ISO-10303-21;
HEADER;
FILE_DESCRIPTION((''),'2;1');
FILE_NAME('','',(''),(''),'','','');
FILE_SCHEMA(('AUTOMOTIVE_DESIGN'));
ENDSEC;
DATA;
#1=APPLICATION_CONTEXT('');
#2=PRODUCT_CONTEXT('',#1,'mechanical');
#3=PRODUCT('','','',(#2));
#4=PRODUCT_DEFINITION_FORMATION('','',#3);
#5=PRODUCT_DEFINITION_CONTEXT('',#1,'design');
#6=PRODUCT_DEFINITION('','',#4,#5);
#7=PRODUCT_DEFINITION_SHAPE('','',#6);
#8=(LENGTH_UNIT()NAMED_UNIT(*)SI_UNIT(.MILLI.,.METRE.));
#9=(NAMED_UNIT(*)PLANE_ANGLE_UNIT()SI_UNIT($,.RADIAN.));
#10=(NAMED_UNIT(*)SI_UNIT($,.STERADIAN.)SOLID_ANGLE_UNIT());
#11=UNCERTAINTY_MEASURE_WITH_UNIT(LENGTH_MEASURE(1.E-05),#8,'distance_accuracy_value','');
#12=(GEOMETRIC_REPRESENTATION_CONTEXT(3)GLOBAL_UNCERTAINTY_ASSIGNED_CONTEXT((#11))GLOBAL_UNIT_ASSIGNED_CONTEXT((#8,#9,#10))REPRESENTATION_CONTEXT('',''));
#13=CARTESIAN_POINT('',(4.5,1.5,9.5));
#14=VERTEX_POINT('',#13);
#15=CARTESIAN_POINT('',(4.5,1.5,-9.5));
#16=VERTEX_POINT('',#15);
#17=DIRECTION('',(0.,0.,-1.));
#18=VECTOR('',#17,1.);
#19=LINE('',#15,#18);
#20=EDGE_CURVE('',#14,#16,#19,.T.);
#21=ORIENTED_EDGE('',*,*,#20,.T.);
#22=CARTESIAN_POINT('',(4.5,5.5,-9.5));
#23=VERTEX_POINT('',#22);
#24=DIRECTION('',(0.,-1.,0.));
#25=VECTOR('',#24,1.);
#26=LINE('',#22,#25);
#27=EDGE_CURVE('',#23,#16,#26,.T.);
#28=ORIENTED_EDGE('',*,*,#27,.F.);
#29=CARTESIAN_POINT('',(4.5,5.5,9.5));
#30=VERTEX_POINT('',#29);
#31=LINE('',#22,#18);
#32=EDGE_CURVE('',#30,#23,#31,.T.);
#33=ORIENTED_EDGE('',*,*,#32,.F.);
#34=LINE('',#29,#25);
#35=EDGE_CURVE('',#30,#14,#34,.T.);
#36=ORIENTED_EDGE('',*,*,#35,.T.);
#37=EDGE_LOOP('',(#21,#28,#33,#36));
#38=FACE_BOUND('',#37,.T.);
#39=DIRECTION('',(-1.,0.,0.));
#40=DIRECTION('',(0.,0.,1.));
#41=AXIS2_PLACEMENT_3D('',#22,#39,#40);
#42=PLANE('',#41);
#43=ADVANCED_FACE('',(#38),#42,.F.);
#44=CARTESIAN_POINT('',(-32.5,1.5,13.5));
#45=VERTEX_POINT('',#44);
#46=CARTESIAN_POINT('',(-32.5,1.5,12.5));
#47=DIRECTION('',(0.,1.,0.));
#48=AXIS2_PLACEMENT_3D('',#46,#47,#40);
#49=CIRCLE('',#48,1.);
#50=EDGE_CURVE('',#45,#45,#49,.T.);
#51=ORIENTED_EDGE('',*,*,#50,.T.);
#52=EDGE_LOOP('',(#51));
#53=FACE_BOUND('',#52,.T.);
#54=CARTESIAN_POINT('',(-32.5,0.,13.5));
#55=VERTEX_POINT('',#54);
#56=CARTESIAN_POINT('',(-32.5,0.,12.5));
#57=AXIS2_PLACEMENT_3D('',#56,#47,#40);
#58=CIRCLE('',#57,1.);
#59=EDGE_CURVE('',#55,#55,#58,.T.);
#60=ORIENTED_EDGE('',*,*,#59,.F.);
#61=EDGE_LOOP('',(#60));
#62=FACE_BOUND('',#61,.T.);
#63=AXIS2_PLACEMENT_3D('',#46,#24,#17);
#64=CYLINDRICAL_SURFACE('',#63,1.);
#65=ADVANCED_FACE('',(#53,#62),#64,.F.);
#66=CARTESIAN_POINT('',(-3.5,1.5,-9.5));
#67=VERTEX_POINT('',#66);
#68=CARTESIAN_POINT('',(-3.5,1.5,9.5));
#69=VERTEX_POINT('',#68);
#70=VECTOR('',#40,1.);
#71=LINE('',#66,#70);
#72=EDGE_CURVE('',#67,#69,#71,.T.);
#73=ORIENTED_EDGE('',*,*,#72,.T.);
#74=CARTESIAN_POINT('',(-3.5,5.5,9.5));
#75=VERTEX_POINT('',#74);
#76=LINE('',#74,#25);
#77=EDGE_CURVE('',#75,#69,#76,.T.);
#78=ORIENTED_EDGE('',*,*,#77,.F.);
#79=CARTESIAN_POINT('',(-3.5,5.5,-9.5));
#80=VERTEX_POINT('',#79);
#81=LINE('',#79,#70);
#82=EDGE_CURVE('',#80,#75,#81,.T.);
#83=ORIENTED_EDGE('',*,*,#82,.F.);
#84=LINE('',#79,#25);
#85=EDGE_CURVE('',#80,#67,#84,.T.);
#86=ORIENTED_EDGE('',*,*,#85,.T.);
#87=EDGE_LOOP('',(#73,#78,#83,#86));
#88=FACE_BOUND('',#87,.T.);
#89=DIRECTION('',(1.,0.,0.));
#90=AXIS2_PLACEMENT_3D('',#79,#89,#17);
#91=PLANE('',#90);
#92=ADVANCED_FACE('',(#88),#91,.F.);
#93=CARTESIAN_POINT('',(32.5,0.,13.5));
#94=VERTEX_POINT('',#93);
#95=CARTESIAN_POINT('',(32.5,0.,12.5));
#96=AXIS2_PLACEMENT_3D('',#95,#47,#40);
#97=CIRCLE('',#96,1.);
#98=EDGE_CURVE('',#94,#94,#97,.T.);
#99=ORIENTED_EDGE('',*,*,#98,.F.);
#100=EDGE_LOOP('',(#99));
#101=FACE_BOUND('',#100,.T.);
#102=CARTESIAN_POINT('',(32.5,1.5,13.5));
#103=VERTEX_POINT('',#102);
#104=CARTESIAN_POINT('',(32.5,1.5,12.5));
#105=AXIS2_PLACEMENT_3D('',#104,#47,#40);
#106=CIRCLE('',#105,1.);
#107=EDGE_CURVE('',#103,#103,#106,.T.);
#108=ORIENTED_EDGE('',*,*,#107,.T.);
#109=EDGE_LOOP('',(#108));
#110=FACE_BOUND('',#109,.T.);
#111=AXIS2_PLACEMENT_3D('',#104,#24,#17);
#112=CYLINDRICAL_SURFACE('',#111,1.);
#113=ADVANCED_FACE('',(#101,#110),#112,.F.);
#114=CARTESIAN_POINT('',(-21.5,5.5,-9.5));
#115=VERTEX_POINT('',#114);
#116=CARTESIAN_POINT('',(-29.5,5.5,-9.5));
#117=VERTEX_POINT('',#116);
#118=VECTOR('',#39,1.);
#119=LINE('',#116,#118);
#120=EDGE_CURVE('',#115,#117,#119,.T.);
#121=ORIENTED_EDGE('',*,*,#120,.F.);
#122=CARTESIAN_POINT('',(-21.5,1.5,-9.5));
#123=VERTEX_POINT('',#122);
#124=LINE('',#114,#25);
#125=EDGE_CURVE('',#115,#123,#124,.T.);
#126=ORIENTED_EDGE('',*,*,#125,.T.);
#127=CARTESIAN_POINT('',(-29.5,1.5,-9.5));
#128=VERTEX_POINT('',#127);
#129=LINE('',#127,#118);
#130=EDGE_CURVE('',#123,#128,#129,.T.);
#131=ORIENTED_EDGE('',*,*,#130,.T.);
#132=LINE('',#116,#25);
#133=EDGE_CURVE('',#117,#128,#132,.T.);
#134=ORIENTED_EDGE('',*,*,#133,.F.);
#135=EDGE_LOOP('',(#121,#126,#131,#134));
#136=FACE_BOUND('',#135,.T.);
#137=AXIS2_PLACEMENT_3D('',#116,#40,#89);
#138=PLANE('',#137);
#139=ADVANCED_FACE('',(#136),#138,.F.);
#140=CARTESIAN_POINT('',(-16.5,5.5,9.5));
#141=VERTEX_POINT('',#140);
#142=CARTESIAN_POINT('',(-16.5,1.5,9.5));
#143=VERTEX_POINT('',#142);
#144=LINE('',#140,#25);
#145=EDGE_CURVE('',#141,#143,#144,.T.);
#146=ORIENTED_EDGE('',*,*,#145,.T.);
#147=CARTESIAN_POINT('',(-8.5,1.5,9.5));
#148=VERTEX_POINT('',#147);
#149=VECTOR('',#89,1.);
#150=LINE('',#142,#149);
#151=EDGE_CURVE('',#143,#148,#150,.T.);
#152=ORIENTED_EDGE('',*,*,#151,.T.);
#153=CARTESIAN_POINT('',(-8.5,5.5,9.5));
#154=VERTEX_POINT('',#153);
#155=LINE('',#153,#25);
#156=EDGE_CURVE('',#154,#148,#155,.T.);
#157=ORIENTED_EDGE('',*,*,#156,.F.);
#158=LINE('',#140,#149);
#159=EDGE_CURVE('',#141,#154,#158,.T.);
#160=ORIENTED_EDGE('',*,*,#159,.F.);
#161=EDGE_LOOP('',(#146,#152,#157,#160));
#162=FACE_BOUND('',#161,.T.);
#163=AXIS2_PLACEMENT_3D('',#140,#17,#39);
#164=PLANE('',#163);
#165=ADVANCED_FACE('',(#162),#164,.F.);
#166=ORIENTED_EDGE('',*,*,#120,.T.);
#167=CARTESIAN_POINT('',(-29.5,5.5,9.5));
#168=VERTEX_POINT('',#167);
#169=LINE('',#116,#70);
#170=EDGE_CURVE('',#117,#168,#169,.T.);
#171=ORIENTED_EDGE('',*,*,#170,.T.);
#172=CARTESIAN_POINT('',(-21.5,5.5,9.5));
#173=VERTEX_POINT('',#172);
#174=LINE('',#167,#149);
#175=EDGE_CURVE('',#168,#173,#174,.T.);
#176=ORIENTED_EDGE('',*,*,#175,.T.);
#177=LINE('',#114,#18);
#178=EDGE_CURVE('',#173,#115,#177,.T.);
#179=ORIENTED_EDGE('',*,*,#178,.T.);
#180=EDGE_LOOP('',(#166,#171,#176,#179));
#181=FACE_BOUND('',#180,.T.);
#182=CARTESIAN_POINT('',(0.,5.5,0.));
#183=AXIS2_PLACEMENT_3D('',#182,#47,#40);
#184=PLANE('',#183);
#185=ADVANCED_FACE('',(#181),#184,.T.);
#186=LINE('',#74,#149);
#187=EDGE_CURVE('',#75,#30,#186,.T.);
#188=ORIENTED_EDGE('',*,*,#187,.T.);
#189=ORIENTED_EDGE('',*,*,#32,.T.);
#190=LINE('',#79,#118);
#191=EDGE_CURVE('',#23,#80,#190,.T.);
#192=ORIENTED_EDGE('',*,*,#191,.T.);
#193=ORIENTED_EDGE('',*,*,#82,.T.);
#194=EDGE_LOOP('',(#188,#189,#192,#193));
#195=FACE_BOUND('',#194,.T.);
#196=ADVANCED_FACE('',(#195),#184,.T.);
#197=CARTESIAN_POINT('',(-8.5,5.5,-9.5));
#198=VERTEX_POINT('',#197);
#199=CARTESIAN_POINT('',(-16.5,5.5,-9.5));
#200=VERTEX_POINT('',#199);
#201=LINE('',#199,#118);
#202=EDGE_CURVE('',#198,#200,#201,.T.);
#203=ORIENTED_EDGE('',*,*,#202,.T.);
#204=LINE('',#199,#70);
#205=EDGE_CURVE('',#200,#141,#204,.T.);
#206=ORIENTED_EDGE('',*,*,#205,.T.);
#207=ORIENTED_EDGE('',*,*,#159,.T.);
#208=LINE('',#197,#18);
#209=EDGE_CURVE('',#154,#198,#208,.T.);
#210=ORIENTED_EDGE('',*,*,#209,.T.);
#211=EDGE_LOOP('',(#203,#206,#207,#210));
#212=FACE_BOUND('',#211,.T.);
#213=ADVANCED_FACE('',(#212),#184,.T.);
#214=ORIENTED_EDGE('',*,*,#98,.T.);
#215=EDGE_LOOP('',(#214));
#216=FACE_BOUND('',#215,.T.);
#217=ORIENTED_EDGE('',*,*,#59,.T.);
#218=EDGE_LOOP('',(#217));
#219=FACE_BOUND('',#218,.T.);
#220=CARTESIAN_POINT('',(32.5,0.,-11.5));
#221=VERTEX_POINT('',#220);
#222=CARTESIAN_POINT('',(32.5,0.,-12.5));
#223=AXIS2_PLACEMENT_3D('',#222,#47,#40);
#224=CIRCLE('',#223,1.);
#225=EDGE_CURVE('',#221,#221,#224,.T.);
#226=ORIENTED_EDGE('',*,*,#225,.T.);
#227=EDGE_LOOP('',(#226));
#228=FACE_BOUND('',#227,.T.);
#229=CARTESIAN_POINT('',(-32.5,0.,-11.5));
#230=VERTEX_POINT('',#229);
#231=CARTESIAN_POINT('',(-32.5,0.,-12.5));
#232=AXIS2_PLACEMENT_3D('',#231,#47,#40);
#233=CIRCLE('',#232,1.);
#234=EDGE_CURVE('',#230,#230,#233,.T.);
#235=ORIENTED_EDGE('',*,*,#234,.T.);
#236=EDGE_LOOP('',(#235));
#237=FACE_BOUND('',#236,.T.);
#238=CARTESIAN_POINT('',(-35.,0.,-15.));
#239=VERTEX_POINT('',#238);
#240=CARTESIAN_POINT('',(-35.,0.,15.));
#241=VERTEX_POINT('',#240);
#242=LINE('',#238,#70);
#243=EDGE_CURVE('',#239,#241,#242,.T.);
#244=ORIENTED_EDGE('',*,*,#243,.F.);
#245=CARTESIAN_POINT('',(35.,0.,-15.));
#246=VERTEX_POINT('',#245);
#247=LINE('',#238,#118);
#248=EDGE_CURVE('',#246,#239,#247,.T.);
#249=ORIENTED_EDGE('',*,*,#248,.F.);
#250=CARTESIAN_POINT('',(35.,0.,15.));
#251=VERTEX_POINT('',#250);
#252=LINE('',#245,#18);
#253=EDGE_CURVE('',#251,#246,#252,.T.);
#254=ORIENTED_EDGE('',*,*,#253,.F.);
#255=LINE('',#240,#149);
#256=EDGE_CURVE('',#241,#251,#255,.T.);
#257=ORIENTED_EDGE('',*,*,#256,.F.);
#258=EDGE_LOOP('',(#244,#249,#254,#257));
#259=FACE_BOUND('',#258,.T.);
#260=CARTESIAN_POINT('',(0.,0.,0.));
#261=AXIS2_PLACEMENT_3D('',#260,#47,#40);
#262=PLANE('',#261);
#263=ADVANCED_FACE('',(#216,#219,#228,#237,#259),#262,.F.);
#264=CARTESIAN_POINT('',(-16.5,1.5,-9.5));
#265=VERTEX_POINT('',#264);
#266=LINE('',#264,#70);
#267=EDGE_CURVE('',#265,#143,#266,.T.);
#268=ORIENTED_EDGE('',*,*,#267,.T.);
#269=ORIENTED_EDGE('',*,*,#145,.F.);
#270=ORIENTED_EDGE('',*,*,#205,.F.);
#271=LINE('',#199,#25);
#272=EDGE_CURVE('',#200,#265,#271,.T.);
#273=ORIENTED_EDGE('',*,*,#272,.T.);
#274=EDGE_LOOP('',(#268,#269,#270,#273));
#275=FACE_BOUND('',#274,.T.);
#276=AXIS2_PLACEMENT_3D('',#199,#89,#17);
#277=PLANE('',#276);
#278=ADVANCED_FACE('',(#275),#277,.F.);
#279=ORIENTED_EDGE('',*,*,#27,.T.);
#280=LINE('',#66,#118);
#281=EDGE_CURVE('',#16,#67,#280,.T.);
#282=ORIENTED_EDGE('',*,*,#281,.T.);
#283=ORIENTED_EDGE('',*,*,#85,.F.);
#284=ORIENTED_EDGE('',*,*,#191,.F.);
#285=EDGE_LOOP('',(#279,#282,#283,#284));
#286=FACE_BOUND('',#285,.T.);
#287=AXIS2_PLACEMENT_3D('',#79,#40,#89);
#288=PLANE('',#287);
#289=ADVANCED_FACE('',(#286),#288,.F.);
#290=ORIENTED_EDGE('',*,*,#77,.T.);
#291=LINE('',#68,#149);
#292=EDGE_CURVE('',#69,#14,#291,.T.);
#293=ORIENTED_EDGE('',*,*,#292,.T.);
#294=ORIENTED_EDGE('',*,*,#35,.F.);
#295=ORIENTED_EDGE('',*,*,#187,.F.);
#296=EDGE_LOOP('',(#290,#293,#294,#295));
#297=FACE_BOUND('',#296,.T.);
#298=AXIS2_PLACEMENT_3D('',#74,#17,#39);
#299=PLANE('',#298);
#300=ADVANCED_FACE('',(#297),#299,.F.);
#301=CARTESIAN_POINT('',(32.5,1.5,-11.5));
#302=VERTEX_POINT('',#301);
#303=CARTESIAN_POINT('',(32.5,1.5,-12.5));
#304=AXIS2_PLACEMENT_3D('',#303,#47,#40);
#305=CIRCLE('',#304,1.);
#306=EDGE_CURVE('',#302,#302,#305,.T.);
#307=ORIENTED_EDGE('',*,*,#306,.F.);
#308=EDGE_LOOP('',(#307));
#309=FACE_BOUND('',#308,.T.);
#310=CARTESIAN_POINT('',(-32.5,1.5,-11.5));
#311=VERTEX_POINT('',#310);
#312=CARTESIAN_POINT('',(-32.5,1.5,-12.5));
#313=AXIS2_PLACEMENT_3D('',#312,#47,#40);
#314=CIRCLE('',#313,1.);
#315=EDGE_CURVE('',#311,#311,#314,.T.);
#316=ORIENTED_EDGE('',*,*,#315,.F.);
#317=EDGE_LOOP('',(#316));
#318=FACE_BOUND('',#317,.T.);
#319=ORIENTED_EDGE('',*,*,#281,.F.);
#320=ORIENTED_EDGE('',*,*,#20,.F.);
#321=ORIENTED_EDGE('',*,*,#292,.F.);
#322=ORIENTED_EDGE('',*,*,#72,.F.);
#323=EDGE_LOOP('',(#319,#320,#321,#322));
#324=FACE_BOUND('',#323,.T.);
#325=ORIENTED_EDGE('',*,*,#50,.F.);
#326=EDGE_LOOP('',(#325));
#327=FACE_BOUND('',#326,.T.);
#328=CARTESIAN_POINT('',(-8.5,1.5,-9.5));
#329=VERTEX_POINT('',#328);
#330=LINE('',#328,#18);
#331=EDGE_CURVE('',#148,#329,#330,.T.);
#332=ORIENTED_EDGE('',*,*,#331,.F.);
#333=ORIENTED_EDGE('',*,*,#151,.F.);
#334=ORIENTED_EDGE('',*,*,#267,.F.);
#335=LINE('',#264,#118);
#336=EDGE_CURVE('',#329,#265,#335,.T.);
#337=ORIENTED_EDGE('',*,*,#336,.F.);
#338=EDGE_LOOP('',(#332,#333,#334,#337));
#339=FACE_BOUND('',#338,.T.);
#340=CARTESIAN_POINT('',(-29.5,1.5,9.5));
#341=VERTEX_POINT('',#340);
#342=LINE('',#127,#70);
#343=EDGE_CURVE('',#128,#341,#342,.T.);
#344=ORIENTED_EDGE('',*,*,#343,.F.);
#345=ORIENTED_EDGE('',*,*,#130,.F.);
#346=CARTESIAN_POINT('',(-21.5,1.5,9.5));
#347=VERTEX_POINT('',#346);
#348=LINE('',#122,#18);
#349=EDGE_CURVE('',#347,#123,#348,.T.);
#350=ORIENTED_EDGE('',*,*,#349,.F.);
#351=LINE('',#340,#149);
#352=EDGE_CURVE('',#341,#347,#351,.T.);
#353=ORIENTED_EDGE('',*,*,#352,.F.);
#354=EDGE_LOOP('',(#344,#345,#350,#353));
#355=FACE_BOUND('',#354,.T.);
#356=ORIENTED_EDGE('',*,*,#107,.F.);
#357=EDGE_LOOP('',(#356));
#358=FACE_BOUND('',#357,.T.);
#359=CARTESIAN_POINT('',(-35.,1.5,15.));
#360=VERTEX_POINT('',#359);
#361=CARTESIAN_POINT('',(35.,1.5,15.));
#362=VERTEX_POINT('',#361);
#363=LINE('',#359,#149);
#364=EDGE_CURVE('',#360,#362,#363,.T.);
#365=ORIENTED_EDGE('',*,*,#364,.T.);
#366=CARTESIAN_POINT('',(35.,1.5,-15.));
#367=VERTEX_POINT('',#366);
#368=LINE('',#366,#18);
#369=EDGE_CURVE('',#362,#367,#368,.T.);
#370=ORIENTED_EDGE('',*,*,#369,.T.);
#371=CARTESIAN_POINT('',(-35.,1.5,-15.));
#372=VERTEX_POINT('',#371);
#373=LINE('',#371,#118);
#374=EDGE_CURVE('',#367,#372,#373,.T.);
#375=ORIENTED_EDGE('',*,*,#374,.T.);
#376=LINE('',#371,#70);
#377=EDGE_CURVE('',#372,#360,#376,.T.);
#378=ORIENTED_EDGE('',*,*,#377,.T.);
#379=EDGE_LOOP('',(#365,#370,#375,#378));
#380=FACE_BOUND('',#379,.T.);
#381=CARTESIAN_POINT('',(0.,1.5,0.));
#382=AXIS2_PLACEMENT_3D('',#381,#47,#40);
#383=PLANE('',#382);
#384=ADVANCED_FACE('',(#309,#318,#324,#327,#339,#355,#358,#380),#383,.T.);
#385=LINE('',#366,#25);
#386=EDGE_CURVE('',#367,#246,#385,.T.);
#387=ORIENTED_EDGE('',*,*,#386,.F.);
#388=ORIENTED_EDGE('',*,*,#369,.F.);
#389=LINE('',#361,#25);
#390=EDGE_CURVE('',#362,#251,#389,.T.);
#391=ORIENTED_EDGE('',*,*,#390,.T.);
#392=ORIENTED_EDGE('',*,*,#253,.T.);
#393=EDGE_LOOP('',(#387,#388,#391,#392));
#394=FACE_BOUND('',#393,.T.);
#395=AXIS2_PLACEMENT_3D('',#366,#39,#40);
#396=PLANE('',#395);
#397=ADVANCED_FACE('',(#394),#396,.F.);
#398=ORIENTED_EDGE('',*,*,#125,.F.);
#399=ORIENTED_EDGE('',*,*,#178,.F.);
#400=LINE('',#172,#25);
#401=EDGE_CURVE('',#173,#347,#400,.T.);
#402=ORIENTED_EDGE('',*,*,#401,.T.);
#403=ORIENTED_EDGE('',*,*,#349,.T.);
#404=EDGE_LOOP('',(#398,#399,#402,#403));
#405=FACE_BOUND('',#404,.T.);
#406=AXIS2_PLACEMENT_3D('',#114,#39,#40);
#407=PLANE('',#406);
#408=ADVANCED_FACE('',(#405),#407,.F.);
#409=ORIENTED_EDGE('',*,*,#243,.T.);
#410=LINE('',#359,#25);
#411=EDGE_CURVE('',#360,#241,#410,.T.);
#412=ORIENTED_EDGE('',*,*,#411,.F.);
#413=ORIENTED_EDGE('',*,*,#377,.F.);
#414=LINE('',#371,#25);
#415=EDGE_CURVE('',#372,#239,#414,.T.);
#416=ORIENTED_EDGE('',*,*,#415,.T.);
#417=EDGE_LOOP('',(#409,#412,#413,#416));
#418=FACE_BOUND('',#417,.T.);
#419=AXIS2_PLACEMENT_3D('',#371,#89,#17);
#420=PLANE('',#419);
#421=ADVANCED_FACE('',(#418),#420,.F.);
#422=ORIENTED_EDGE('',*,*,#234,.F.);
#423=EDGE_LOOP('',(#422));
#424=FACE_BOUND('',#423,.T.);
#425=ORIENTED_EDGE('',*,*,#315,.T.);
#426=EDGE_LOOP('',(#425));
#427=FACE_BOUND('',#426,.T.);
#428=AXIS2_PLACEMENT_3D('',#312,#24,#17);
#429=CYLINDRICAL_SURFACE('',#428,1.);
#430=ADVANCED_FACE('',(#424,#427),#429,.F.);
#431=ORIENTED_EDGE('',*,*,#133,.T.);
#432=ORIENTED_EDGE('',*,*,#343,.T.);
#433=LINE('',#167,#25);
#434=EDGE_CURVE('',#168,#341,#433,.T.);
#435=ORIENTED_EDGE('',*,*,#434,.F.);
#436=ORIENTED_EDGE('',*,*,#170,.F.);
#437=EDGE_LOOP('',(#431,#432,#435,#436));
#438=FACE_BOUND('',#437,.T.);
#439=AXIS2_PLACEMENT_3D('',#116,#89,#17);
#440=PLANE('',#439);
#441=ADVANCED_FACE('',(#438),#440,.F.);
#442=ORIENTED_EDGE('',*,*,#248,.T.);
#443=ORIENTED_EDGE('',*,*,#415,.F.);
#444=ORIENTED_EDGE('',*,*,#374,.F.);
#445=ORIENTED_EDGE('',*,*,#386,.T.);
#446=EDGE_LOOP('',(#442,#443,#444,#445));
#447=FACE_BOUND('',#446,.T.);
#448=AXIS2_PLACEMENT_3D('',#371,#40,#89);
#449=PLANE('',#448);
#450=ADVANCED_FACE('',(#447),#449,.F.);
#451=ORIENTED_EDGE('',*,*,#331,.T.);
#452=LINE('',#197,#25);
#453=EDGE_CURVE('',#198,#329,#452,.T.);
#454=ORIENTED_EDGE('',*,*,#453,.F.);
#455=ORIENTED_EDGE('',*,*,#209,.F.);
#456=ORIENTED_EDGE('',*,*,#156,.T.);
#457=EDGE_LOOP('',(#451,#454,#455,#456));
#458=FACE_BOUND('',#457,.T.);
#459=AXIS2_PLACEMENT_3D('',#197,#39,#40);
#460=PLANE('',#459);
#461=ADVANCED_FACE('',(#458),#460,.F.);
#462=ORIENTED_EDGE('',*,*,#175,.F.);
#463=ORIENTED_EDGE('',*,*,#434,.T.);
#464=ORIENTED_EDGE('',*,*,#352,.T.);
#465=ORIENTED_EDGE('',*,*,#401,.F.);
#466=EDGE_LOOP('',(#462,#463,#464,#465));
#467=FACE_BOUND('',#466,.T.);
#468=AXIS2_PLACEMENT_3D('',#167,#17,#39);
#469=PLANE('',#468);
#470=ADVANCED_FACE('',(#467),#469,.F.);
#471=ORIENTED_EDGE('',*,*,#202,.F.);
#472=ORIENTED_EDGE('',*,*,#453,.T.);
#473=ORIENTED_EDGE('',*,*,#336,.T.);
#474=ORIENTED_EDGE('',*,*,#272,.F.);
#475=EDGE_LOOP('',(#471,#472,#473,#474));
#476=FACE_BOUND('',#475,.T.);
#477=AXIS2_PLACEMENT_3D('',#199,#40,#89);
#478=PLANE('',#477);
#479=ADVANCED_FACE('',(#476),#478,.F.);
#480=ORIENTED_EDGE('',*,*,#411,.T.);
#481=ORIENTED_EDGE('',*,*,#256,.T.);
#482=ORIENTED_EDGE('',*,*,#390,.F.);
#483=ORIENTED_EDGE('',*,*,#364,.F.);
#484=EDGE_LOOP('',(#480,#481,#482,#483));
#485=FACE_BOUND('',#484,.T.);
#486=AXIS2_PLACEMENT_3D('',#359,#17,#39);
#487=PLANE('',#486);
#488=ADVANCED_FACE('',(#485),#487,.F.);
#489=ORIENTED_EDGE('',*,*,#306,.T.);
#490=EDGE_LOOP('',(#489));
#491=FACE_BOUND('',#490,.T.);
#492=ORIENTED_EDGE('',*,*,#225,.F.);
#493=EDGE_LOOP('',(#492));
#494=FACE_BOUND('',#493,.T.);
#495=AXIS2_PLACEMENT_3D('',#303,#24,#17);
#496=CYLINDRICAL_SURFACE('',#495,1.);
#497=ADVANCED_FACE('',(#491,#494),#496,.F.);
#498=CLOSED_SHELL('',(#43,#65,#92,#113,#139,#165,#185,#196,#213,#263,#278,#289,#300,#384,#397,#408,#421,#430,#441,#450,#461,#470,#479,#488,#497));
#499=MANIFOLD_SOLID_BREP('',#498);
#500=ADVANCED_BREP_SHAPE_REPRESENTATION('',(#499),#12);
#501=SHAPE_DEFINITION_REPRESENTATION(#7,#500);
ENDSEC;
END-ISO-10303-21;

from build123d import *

# Parameters (mm, degrees)
SKETCH_1_W      = 70
SKETCH_1_H      = 30
SKETCH_1_R      = 1
EXTRUDE_1_DEPTH = 1.5
SKETCH_2_W      = 8
SKETCH_2_H      = 19
EXTRUDE_2_DEPTH = 4


with BuildPart() as part:
    # Эскиз1 → Бобышка-Вытянуть1 (new body)
    with BuildSketch(Plane(origin=(0, 0, 0), x_dir=(1, 0, 0), z_dir=(0, 1, 0))):
        Rectangle(SKETCH_1_W, SKETCH_1_H)
        with Locations(Location((-32.5, 12.5, 0), (0, 0, 270))):
            Circle(SKETCH_1_R, mode=Mode.SUBTRACT)
        with Locations(Location((32.5, 12.5, 0), (0, 0, 270))):
            Circle(SKETCH_1_R, mode=Mode.SUBTRACT)
        with Locations(Location((32.5, -12.5, 0), (0, 0, 270))):
            Circle(SKETCH_1_R, mode=Mode.SUBTRACT)
        with Locations(Location((-32.5, -12.5, 0), (0, 0, 270))):
            Circle(SKETCH_1_R, mode=Mode.SUBTRACT)
    extrude(amount=EXTRUDE_1_DEPTH)

    # Эскиз2 → Бобышка-Вытянуть2 (add)
    with BuildSketch(Plane(origin=(0, 1.5, 0), x_dir=(1, 0, 0), z_dir=(0, 1, 0))):
        with Locations((-25.5, 0)):
            Rectangle(SKETCH_2_W, SKETCH_2_H)
        with Locations((-12.5, 0)):
            Rectangle(SKETCH_2_W, SKETCH_2_H)
        with Locations((0.5, 0)):
            Rectangle(SKETCH_2_W, SKETCH_2_H)
    extrude(amount=EXTRUDE_2_DEPTH)


solid = part.part
